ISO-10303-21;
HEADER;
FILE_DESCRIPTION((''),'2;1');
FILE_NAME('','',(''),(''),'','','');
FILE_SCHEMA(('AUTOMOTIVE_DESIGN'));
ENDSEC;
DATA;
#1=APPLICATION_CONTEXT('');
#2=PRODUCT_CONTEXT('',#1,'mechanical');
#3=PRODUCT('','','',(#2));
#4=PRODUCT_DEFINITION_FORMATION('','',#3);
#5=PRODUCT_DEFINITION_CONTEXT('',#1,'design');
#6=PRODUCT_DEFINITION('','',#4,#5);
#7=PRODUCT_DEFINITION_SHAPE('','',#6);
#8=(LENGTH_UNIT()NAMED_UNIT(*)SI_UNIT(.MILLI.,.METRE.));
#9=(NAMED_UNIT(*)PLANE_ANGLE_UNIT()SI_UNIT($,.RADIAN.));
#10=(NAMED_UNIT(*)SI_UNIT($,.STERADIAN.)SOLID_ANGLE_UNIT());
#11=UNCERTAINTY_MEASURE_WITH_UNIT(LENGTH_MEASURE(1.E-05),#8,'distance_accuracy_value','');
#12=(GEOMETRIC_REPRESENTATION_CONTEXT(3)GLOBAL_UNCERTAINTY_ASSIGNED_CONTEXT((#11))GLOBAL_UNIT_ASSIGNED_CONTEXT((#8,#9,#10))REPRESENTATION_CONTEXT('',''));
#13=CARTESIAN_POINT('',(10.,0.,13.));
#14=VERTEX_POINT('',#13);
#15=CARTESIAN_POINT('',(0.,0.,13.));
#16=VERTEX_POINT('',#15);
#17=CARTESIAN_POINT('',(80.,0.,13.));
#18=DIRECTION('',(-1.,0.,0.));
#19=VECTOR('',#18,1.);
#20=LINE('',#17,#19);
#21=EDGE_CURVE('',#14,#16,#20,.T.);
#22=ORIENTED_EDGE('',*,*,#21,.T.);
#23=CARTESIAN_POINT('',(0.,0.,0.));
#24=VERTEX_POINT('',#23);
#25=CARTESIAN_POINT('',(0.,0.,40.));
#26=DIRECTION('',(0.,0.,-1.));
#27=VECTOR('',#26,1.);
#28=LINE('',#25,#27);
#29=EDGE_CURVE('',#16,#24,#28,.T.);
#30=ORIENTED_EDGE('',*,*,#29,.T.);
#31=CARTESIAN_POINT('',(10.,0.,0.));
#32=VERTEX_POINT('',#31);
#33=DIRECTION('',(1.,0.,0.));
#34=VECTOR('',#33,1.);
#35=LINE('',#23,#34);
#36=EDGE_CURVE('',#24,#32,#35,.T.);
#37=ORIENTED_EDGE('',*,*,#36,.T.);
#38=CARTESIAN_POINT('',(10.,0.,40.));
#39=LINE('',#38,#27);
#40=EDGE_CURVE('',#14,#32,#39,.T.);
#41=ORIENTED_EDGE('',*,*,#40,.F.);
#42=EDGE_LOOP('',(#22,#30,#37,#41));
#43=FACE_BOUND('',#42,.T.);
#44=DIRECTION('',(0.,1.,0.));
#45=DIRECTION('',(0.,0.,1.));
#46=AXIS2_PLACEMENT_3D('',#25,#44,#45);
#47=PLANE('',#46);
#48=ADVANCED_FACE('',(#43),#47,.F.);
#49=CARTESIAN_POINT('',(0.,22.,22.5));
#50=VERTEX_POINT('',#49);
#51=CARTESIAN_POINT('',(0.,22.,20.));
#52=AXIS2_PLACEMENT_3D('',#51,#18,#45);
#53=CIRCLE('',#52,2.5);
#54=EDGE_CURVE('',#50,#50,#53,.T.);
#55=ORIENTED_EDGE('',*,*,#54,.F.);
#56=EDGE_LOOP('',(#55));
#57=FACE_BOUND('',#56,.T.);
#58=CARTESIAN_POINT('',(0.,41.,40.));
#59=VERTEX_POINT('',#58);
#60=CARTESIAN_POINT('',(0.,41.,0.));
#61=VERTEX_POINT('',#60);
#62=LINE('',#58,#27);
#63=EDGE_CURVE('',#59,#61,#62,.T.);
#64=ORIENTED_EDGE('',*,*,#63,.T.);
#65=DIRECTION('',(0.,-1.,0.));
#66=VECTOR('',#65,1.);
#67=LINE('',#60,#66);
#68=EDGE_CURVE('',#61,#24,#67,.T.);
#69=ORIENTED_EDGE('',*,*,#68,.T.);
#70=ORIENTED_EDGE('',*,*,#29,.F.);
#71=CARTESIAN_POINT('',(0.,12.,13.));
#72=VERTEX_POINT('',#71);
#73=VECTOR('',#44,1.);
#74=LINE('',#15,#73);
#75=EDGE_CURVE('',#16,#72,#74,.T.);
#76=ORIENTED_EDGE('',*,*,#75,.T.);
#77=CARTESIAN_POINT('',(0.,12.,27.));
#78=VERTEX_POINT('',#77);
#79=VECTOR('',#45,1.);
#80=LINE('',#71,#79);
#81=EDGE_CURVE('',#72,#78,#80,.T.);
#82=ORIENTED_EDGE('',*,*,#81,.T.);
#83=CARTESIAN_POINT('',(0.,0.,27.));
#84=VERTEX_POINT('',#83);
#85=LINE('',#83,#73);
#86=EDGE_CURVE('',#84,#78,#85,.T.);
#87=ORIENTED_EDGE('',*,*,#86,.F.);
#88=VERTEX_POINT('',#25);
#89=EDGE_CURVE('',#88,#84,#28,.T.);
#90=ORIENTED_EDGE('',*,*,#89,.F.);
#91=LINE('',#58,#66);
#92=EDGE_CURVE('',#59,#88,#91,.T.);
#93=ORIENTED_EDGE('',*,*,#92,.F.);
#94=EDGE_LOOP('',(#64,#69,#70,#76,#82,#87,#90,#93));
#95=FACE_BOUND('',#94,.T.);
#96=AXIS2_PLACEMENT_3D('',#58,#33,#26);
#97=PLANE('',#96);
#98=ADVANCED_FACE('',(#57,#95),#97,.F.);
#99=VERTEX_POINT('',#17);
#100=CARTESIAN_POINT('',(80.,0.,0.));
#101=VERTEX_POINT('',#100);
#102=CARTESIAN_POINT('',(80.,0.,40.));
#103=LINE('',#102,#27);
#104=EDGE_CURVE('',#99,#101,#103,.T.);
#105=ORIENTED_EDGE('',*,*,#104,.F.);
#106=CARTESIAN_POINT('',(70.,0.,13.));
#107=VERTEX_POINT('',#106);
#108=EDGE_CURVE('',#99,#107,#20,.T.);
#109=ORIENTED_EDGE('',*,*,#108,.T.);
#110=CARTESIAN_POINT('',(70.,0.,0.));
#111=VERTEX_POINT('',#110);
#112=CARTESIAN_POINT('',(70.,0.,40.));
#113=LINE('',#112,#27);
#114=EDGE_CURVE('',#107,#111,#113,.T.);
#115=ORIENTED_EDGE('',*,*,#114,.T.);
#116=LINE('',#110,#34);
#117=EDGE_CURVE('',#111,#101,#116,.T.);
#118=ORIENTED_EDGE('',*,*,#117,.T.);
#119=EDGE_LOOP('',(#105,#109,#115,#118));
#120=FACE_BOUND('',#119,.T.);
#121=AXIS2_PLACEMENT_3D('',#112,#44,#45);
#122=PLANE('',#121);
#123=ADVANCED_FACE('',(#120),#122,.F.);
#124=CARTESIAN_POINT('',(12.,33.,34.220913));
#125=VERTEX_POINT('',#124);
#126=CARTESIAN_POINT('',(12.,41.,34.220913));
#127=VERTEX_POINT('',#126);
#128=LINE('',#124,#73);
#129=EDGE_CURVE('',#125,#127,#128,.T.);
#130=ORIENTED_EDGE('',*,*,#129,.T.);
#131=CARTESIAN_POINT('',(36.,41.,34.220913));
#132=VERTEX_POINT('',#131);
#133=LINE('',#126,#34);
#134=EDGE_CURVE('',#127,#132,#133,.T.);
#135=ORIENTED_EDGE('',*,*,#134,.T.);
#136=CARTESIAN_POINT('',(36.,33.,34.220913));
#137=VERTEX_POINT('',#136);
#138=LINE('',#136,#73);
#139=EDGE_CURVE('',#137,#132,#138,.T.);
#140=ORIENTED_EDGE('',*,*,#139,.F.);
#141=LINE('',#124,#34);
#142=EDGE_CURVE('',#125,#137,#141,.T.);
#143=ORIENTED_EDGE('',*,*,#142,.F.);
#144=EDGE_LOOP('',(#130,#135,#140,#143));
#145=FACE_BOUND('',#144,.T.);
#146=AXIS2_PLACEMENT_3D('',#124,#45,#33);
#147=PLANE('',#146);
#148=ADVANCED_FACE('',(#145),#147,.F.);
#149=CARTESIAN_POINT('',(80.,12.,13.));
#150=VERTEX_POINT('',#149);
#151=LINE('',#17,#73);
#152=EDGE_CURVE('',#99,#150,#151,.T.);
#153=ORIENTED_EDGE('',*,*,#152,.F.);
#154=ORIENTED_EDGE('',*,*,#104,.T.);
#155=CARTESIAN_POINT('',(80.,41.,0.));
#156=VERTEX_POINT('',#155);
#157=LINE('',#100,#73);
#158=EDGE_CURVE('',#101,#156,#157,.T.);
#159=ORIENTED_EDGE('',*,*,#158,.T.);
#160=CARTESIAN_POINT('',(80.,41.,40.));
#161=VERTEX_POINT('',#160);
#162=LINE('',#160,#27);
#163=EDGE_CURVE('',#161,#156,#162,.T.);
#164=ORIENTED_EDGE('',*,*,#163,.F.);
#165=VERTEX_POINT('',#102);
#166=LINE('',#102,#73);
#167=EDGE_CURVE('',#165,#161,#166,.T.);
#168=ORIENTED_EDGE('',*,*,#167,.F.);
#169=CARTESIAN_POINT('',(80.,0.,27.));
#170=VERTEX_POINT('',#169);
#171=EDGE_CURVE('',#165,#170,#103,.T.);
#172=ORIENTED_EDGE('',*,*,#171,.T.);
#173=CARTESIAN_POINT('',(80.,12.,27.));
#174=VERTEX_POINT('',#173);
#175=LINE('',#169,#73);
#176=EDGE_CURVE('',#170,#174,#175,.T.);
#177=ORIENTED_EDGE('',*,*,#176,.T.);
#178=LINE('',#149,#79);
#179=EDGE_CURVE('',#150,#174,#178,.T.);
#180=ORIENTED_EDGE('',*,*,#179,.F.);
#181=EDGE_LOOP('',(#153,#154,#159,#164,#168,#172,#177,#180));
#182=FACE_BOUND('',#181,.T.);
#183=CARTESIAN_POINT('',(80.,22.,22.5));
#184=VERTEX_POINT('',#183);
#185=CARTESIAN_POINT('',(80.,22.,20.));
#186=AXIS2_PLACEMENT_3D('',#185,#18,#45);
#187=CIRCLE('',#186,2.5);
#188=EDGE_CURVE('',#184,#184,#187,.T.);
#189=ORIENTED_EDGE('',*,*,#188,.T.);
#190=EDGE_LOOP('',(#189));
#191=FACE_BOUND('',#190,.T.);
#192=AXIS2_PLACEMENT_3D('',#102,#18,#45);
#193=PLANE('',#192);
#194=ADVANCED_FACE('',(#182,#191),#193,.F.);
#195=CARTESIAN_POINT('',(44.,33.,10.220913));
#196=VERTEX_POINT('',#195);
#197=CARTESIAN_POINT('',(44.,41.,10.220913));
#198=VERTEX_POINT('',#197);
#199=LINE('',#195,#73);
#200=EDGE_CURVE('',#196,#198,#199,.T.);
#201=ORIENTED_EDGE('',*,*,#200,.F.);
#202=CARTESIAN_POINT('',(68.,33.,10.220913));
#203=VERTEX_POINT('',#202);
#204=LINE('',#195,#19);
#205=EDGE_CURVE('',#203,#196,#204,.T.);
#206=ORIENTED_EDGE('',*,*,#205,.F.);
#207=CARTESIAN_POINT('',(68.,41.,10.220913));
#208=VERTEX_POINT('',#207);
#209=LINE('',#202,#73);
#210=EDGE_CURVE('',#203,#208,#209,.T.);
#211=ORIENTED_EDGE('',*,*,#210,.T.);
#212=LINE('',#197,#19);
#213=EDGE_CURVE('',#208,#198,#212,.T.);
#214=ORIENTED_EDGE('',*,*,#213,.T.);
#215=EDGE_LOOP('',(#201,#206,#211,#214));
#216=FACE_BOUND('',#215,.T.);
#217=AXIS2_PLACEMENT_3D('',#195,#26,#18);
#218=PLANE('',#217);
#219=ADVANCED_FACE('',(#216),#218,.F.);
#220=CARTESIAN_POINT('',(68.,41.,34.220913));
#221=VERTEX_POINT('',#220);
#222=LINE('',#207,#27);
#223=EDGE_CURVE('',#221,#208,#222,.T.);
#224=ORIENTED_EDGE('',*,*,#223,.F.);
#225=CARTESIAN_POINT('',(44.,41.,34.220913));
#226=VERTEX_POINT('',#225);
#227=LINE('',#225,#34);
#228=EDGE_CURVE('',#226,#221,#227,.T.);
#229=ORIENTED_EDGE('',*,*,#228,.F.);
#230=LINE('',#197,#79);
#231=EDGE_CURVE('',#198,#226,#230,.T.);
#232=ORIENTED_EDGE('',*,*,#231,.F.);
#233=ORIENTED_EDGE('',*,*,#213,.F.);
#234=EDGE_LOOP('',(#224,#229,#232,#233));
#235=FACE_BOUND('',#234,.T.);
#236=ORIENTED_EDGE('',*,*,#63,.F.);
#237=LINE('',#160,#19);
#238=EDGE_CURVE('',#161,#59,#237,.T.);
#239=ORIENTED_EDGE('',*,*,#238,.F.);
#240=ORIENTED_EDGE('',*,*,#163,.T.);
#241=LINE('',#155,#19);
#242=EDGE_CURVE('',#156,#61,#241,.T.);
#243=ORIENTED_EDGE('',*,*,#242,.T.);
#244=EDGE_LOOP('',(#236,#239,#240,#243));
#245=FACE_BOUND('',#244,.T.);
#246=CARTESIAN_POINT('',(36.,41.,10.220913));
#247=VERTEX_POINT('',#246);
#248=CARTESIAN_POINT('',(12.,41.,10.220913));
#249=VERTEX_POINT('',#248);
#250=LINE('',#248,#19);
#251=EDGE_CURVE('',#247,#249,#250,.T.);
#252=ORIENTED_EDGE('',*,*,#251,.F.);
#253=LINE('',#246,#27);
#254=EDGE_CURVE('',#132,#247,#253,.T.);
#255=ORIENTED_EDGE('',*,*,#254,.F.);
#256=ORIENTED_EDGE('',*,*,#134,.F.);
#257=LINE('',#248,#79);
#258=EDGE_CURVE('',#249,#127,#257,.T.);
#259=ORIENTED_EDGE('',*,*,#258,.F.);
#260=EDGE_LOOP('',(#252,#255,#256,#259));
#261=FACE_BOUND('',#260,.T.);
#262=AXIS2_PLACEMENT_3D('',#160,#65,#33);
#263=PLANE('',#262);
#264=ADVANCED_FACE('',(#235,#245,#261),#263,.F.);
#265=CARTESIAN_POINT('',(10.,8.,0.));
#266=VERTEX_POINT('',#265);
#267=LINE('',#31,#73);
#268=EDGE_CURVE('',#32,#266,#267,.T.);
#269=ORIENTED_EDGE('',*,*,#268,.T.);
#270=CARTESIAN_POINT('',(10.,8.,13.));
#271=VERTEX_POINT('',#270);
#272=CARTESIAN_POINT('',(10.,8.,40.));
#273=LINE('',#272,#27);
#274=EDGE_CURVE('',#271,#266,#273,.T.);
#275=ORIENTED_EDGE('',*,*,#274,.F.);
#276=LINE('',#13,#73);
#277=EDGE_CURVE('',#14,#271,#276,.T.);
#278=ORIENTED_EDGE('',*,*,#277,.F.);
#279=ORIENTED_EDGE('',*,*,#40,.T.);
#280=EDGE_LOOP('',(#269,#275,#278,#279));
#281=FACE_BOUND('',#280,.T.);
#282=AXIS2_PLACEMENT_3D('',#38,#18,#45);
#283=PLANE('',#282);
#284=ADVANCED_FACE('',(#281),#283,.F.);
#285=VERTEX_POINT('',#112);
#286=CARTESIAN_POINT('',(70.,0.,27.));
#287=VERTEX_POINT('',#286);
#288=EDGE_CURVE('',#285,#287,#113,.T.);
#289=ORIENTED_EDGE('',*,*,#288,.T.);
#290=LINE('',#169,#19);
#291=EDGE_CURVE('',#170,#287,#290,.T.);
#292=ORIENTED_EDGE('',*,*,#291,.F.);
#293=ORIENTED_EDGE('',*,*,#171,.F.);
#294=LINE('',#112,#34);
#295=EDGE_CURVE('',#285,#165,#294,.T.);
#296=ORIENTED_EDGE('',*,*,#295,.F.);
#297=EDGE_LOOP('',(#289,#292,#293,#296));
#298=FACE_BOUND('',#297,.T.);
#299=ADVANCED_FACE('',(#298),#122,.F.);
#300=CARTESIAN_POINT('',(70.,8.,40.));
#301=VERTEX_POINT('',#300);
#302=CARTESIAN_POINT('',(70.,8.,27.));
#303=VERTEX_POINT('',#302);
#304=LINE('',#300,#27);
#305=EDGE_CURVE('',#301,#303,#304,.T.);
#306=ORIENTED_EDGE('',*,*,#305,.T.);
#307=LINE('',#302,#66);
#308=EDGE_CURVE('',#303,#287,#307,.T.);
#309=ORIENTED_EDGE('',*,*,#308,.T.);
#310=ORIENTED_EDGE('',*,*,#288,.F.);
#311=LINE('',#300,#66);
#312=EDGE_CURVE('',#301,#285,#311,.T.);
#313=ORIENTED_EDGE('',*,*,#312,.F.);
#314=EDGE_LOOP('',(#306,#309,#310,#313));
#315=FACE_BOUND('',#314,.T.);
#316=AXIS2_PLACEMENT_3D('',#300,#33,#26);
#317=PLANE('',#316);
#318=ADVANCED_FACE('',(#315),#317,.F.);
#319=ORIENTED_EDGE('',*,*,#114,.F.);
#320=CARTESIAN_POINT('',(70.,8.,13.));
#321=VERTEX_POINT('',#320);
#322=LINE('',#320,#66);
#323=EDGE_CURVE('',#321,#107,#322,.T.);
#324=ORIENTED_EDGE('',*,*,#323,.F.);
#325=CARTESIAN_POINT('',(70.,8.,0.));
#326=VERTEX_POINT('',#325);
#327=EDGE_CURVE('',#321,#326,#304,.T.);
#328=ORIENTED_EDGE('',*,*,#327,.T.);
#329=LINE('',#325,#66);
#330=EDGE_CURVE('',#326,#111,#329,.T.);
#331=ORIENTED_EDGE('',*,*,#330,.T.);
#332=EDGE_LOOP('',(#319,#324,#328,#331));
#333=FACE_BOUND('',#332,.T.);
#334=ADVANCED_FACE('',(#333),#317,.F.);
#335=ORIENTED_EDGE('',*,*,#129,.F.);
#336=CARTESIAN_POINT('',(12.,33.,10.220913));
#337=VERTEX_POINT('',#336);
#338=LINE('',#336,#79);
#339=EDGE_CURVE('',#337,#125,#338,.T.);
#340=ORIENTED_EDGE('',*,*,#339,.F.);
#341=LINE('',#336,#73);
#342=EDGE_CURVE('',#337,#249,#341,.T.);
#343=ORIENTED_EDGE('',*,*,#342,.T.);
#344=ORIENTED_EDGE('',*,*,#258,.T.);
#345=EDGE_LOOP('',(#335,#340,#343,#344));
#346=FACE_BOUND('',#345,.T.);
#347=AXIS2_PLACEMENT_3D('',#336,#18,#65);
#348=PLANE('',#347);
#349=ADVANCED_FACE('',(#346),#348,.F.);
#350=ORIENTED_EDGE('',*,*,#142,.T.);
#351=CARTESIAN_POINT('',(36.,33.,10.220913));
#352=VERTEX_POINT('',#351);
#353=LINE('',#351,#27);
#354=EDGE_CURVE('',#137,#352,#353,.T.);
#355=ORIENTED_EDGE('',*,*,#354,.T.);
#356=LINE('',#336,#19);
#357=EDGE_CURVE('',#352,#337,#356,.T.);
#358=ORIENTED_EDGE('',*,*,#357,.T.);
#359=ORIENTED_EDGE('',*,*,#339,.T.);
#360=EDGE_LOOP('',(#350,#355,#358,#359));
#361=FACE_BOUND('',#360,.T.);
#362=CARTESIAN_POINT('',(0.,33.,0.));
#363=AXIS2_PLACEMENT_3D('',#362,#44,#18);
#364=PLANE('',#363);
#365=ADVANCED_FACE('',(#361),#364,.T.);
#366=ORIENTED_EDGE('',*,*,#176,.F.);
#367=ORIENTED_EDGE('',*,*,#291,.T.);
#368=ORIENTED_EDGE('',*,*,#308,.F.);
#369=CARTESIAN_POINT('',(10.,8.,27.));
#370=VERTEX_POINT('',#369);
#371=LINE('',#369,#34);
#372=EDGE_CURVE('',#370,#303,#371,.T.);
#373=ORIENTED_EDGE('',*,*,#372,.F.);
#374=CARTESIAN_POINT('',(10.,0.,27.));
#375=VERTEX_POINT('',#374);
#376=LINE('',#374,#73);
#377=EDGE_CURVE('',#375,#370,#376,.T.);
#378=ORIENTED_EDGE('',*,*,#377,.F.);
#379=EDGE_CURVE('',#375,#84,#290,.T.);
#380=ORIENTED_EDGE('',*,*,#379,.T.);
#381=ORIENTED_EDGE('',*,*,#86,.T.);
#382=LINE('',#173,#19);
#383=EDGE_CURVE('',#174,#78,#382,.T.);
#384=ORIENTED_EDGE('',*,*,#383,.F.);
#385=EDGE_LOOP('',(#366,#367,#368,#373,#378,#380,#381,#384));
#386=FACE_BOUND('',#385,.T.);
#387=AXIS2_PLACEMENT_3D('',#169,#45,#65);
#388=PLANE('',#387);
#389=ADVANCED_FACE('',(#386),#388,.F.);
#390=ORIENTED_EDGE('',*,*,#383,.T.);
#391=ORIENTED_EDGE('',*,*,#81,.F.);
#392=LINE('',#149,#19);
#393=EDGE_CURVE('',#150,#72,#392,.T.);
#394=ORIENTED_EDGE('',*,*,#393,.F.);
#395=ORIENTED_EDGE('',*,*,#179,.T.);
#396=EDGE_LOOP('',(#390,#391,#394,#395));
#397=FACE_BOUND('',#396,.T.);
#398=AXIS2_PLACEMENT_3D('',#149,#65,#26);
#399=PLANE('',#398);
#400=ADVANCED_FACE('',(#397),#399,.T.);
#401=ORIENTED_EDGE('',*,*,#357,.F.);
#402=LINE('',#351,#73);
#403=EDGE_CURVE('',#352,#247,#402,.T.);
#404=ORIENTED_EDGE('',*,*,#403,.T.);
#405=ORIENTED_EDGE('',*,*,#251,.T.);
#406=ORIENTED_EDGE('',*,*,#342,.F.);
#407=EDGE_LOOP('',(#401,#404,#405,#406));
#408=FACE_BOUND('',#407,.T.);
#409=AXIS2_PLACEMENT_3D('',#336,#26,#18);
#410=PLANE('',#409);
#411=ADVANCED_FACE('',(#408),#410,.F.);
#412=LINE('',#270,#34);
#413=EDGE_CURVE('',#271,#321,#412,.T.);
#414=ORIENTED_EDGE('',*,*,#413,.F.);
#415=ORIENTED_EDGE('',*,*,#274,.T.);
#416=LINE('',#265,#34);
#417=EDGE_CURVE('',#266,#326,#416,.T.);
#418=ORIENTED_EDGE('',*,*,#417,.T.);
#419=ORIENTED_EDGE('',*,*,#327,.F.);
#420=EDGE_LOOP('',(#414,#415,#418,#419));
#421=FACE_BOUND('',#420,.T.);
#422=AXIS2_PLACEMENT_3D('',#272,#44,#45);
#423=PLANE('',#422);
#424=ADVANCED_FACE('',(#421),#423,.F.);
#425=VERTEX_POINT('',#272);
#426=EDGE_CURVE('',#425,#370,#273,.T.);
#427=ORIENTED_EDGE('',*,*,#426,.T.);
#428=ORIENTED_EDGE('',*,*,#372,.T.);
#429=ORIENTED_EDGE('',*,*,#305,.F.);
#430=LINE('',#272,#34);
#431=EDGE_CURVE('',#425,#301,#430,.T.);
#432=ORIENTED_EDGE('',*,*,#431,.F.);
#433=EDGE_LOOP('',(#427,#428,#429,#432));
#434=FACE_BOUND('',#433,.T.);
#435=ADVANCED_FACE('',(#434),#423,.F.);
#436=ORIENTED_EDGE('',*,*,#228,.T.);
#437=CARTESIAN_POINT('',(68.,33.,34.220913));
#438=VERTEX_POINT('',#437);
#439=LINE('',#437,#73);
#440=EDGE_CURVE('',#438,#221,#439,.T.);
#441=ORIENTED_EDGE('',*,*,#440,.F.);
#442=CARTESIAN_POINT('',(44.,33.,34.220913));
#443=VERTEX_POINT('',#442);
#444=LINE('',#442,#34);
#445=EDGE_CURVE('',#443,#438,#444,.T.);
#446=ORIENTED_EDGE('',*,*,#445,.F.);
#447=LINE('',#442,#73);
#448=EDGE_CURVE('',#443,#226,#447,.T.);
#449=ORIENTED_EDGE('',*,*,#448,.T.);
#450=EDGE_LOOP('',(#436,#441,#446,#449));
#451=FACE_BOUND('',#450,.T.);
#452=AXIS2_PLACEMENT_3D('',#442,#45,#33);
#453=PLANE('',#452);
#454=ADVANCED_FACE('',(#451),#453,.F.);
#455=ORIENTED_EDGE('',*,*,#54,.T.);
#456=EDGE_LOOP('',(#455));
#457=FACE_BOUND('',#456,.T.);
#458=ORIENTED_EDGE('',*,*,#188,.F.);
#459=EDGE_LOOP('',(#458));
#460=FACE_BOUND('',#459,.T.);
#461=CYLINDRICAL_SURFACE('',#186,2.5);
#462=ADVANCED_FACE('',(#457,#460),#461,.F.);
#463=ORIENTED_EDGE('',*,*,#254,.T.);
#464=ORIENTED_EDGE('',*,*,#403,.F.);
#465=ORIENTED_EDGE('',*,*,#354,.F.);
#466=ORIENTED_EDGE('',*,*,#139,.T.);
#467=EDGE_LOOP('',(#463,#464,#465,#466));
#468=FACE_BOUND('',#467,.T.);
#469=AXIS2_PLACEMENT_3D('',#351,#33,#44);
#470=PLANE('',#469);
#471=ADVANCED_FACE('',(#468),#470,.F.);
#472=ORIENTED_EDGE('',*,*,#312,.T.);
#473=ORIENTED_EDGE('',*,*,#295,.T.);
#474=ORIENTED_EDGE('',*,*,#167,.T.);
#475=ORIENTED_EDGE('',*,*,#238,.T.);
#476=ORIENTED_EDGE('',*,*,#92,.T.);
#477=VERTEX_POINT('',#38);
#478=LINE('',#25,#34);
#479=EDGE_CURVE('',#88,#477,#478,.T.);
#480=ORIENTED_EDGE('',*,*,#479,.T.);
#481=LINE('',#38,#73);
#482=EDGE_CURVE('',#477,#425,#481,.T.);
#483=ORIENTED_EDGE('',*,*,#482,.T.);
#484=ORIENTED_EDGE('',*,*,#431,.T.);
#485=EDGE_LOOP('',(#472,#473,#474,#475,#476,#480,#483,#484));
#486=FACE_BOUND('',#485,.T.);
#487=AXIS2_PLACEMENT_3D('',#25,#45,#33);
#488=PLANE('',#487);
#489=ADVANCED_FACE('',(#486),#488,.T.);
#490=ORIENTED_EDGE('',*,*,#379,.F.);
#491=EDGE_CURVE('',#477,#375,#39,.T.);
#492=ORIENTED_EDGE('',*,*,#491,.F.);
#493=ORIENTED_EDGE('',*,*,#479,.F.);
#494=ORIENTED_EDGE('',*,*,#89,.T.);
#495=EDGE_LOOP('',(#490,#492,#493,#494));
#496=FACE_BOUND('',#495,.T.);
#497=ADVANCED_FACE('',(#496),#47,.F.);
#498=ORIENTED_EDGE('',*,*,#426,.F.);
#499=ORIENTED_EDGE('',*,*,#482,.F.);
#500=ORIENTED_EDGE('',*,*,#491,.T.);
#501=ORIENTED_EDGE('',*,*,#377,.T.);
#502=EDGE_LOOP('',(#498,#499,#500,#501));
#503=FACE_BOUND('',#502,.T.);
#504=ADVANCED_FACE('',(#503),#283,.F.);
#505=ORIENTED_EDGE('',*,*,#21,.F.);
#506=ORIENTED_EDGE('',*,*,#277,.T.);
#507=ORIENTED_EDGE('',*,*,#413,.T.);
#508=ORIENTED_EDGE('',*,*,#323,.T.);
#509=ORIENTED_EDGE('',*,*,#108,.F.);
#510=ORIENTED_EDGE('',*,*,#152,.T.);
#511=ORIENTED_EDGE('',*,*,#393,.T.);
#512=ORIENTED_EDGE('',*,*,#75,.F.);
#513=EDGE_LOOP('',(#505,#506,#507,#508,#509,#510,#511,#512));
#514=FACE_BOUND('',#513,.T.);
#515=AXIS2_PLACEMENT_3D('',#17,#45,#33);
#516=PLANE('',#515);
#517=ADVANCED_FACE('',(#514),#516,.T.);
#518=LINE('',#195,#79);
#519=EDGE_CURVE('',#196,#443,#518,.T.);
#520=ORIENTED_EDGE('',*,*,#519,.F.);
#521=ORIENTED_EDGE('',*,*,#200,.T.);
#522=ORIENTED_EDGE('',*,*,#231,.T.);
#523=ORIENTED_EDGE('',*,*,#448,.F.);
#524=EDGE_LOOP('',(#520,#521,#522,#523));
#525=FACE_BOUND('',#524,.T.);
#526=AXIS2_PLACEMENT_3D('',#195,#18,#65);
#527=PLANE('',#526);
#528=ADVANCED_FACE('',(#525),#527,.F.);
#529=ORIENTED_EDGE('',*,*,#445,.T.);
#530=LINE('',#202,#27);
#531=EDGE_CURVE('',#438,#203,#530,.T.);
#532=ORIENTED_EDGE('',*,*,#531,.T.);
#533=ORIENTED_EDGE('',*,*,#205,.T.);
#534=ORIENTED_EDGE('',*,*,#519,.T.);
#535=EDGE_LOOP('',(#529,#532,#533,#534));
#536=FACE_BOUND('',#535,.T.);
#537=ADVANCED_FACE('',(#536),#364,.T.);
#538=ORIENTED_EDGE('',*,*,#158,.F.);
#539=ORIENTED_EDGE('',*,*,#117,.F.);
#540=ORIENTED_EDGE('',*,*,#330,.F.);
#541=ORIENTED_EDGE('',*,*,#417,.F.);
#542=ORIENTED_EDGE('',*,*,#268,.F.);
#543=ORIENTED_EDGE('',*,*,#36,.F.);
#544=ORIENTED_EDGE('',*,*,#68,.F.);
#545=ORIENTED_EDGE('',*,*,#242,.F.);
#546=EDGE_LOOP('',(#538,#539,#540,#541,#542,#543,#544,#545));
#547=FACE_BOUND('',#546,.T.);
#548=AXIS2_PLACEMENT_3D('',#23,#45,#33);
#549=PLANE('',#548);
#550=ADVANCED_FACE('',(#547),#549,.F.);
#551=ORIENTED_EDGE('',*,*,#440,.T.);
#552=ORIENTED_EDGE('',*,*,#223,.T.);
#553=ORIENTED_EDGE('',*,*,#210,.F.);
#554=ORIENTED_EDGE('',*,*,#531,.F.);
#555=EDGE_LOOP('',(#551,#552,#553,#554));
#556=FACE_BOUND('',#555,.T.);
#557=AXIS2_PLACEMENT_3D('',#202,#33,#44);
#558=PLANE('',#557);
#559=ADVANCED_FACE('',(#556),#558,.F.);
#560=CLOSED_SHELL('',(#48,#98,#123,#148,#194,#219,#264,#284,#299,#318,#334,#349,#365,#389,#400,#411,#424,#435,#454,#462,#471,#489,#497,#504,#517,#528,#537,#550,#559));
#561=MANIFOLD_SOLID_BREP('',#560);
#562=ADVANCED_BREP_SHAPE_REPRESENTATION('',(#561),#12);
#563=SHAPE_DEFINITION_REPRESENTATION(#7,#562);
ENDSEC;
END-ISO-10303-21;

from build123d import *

# Parameters (mm, degrees)
EXTRUDE_1_DEPTH     = 40
SKETCH_2_R          = 2.5
SKETCH_2_W          = 14
SKETCH_2_H          = 12
CUT_EXTRUDE_1_DEPTH = 99.392072851
SKETCH_3_W          = 24
SKETCH_3_H          = 24
CUT_EXTRUDE_2_DEPTH = 8


with BuildPart() as part:
    # Эскиз1 → Бобышка-Вытянуть1 (new body)
    with BuildSketch(Plane.XY):
        Polygon((0, 0), (10, 0), (10, 8), (70, 8), (70, 0), (80, 0), (80, 41), (0, 41), align=None)
    extrude(amount=EXTRUDE_1_DEPTH)

    # Эскиз2 → Вырез-Вытянуть1 (cut, through all)
    with BuildSketch(Plane.ZY):
        with Locations((20, 22)):
            Circle(SKETCH_2_R)
        with Locations((20, 6)):
            Rectangle(SKETCH_2_W, SKETCH_2_H)
    extrude(amount=-CUT_EXTRUDE_1_DEPTH, mode=Mode.SUBTRACT)

    # Эскиз3 → Вырез-Вытянуть2 (cut)
    with BuildSketch(Plane(origin=(0, 41, 0), x_dir=(1, 0, 0), z_dir=(0, 1, 0))):
        with Locations((24, -22.220912541)):
            Rectangle(SKETCH_3_W, SKETCH_3_H)
        with Locations((56, -22.220912541)):
            Rectangle(SKETCH_3_W, SKETCH_3_H)
    extrude(amount=-CUT_EXTRUDE_2_DEPTH, mode=Mode.SUBTRACT)


solid = part.part
